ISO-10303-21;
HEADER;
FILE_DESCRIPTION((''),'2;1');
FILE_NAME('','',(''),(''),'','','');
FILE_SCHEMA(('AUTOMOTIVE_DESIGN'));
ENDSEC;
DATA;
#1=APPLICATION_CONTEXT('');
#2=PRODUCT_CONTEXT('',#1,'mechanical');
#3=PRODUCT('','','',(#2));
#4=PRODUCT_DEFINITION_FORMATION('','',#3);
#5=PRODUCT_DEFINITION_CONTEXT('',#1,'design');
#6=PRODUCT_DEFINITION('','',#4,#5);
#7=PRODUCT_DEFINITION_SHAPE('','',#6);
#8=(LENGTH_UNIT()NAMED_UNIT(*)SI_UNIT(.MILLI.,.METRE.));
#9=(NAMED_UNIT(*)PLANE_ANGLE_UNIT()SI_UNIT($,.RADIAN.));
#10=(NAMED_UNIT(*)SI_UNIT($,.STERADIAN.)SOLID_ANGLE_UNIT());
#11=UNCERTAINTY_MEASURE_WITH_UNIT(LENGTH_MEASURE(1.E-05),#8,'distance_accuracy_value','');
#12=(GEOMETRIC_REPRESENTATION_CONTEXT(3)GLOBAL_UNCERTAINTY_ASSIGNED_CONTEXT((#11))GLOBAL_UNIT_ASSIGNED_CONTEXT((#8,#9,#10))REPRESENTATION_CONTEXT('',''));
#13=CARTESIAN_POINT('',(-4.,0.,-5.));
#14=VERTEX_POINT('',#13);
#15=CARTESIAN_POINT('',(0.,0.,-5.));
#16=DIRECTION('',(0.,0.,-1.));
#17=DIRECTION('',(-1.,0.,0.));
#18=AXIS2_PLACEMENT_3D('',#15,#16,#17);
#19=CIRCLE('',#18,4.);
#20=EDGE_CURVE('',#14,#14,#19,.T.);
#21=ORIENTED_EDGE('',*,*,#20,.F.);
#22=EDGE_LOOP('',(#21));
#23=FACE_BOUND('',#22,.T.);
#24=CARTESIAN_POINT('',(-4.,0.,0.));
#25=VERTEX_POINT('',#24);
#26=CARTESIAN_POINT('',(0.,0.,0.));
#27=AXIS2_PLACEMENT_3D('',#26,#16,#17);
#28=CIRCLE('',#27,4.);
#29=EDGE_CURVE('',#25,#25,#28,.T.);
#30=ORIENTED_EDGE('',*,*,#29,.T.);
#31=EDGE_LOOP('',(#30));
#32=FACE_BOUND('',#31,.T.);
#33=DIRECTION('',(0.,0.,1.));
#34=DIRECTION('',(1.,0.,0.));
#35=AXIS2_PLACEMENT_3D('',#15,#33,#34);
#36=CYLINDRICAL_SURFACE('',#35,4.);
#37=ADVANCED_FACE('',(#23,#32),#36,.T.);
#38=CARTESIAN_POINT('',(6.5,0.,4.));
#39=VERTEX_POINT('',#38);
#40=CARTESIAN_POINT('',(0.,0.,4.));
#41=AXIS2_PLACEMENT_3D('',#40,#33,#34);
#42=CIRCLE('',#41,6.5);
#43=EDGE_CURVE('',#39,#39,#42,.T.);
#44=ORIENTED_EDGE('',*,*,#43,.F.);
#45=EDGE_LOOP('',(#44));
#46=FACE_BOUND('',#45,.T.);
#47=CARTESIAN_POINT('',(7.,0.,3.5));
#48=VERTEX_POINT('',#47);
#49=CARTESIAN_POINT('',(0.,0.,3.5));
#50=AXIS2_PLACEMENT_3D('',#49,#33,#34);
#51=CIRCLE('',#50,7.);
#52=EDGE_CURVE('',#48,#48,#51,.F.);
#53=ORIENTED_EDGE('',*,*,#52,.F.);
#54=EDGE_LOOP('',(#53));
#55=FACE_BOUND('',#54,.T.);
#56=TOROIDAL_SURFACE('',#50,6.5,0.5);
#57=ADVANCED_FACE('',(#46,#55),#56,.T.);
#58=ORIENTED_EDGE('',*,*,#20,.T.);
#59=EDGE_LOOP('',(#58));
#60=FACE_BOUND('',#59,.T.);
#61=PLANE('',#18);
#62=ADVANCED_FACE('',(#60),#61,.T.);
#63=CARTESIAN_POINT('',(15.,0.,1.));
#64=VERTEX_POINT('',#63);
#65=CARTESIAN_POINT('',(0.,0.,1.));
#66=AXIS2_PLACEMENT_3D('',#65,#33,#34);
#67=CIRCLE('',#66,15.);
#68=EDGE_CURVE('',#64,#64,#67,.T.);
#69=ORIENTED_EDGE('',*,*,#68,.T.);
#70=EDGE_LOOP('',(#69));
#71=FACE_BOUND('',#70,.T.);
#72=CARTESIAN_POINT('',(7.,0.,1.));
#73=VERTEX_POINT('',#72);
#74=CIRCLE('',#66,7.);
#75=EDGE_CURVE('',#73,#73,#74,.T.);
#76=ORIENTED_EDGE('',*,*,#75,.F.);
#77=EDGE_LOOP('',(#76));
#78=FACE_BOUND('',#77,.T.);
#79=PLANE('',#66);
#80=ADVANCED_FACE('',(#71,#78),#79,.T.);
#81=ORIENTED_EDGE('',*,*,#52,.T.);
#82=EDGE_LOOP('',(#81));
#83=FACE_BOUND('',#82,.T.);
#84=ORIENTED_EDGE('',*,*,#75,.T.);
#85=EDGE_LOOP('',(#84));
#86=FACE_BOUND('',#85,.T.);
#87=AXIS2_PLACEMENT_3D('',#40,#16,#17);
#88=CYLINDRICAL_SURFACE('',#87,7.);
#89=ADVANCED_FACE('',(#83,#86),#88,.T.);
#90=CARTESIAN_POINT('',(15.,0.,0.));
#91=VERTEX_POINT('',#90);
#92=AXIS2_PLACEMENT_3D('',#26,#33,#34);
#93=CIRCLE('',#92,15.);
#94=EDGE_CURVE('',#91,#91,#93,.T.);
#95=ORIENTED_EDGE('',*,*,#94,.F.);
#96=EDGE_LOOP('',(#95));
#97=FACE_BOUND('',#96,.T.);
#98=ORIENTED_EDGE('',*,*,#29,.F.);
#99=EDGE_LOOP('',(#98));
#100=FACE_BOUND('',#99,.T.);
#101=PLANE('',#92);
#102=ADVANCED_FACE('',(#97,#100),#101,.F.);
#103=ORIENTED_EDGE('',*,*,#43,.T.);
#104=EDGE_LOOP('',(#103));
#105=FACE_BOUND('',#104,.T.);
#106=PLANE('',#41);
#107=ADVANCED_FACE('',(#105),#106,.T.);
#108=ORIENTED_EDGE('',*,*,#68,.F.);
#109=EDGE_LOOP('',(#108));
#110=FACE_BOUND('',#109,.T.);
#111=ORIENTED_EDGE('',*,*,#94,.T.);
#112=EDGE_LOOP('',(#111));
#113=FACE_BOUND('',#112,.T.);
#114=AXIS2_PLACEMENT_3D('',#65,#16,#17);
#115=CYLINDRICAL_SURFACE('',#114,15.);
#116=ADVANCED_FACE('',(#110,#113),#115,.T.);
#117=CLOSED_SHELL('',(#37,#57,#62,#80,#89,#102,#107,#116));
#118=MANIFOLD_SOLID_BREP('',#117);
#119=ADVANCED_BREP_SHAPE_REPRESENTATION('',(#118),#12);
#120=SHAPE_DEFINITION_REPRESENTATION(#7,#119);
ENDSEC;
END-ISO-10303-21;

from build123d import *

# Parameters (mm, degrees)
ESQUISSE1_R        = 15
BOSS_EXTRU_1_DEPTH = 1
ESQUISSE2_R        = 7
BOSS_EXTRU_2_DEPTH = 3
CONG_1_R           = 0.5
ESQUISSE3_R        = 4
BOSS_EXTRU_3_DEPTH = 5


with BuildPart() as part:
    # Esquisse1 → Boss.-Extru.1 (new body)
    with BuildSketch(Plane.XY):
        Circle(ESQUISSE1_R)
    extrude(amount=BOSS_EXTRU_1_DEPTH)

    # Esquisse2 → Boss.-Extru.2 (add)
    with BuildSketch(Plane.XY.offset(1)):
        Circle(ESQUISSE2_R)
    extrude(amount=BOSS_EXTRU_2_DEPTH)

    # Congé1
    cong_1_edges = [part.edges().sort_by_distance(p)[0] for p in [
        (-7, 0, 4),
    ]]
    fillet(cong_1_edges, radius=CONG_1_R)

    # Esquisse3 → Boss.-Extru.3 (add)
    with BuildSketch(Plane(origin=(0, 0, 0), x_dir=(-1, 0, 0), z_dir=(0, 0, -1))):
        Circle(ESQUISSE3_R)
    extrude(amount=BOSS_EXTRU_3_DEPTH)


solid = part.part
